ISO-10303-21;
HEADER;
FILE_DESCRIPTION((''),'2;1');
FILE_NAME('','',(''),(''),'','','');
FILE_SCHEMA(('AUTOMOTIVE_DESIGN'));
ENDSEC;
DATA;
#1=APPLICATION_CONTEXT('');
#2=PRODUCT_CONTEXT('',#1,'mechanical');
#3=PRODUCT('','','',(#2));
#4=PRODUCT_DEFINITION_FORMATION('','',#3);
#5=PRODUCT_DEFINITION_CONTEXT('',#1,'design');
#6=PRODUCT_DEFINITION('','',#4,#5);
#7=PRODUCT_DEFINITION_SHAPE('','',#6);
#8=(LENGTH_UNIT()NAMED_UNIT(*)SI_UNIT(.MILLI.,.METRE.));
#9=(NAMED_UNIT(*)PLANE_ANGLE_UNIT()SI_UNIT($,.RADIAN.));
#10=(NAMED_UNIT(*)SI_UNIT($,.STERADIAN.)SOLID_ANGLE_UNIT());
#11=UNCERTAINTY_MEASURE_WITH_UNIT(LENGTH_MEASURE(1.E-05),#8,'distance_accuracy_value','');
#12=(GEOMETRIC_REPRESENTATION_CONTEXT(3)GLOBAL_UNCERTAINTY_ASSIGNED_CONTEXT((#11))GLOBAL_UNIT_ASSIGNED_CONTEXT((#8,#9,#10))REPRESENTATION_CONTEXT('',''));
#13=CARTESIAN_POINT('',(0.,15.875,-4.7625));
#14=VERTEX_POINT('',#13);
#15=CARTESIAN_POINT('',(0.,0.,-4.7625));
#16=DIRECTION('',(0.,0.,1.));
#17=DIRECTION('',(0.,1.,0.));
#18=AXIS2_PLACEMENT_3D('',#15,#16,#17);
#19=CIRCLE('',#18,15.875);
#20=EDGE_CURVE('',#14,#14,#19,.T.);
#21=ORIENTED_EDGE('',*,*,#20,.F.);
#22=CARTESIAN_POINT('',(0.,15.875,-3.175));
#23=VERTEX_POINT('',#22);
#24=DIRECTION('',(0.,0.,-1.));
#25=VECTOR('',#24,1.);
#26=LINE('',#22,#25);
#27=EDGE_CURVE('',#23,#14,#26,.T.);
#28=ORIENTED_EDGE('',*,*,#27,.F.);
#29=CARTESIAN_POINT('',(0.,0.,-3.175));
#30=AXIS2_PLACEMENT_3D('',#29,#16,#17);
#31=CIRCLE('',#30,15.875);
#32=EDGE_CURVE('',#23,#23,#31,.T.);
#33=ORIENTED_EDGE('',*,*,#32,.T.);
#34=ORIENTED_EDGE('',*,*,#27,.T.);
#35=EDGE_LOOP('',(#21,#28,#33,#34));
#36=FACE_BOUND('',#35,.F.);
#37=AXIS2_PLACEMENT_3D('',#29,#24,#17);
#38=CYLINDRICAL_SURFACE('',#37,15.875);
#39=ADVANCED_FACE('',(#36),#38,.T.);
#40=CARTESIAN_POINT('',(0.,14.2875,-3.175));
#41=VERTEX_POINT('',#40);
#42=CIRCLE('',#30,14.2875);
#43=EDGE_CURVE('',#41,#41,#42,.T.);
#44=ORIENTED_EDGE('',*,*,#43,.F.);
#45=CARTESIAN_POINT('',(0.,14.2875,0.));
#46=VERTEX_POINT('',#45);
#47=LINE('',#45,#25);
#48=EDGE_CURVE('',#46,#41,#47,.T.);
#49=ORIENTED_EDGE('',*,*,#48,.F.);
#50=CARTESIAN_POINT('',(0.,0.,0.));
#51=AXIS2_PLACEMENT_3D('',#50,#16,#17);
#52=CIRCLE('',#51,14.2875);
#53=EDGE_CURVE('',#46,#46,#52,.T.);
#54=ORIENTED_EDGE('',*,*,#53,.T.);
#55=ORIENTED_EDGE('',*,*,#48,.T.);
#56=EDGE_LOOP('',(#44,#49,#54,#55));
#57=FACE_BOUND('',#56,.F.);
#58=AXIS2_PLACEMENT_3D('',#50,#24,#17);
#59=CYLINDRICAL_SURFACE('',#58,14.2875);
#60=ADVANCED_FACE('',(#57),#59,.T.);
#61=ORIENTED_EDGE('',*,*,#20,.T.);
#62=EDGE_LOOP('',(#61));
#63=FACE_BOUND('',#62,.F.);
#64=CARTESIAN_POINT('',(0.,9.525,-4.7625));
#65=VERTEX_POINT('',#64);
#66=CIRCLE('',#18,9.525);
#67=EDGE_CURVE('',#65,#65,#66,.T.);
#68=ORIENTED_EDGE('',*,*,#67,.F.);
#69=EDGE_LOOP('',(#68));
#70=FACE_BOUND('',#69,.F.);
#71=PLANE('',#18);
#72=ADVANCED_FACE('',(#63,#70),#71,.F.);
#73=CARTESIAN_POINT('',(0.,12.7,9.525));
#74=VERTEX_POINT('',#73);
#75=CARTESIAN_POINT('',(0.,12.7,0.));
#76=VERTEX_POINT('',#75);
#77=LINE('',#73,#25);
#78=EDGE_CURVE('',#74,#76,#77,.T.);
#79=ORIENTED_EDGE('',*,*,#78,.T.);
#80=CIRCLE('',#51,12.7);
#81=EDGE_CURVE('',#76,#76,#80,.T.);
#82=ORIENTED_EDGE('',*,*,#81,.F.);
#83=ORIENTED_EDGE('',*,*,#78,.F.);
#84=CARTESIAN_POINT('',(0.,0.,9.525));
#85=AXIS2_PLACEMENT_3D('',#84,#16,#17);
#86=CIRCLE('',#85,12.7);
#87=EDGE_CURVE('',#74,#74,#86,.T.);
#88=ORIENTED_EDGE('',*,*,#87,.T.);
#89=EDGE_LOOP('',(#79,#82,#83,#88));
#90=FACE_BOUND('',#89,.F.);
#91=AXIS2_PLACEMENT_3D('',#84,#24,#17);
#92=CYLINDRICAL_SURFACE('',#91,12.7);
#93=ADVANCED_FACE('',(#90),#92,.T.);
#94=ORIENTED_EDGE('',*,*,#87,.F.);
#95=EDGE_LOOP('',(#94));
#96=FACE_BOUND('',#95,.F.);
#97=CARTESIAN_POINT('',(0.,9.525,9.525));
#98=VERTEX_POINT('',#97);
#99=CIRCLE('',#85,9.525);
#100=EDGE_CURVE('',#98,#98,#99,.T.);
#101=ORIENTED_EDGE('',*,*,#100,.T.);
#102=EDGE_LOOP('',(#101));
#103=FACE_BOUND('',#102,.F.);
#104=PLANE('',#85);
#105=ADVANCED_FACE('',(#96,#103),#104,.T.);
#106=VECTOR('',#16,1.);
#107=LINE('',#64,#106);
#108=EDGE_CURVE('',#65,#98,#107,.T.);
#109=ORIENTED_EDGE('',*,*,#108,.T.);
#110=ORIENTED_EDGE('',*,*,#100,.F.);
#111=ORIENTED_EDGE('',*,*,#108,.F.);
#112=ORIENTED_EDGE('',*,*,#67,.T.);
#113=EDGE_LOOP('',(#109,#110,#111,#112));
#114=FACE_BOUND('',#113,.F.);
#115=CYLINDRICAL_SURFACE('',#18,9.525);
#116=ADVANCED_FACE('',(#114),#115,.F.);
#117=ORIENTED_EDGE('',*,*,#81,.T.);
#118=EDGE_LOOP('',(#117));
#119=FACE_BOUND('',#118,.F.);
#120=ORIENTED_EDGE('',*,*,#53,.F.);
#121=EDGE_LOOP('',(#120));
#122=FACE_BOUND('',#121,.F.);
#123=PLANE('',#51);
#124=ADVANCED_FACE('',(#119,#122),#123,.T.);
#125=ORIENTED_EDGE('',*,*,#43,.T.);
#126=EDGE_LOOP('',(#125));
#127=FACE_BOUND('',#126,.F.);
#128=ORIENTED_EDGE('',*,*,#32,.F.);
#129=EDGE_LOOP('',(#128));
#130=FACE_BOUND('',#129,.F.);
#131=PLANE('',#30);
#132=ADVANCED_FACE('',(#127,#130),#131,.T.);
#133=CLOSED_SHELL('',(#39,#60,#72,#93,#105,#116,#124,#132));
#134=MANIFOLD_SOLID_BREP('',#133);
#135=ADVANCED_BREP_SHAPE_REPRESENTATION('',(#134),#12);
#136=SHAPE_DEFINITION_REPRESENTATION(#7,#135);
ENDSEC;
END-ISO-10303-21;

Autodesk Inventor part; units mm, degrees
ref_plane "YZ Plane" through (0, 0, 0) normal (1, 0, 0) x (0, 1, 0)
ref_plane "XZ Plane" through (0, 0, 0) normal (0, 1, 0) x (-1, 0, 0)
ref_plane "XY Plane" through (0, 0, 0) normal (0, 0, 1) x (1, 0, 0)
sketch "Sketch1" plane through (0, 0, 0) normal (1, 0, 0) x (0, 1, 0)
  line L0 (0, 0) -> (0, 30.2976)
  line L1 (12.7, 9.525) -> (12.7, 0)
  line L2 (12.7, 0) -> (14.2875, 0)
  line L3 (14.2875, 0) -> (14.2875, -3.175)
  line L4 (14.2875, -3.175) -> (15.875, -3.175)
  line L5 (15.875, -3.175) -> (15.875, -4.7625)
  line L6 (15.875, -4.7625) -> (9.525, -4.7625)
  line L7 (9.525, -4.7625) -> (9.525, 9.525)
  line L8 (9.525, 9.525) -> (12.7, 9.525)
  dimension "d0" = 19.05
  dimension "d1" = 1.5875
  dimension "d2" = 3.175
  dimension "d3" = 14.2875
  dimension "d4" = 31.75
  dimension "d5" = 25.4
  dimension "d6" = 28.575
revolve "Revolution1" add sketch "Sketch1" angle 360 about axis through (0, 0, 0) along (0, 0, 1)
properties part number "REV MAXSpline Step Bushing" material "Bronze, Cast"
